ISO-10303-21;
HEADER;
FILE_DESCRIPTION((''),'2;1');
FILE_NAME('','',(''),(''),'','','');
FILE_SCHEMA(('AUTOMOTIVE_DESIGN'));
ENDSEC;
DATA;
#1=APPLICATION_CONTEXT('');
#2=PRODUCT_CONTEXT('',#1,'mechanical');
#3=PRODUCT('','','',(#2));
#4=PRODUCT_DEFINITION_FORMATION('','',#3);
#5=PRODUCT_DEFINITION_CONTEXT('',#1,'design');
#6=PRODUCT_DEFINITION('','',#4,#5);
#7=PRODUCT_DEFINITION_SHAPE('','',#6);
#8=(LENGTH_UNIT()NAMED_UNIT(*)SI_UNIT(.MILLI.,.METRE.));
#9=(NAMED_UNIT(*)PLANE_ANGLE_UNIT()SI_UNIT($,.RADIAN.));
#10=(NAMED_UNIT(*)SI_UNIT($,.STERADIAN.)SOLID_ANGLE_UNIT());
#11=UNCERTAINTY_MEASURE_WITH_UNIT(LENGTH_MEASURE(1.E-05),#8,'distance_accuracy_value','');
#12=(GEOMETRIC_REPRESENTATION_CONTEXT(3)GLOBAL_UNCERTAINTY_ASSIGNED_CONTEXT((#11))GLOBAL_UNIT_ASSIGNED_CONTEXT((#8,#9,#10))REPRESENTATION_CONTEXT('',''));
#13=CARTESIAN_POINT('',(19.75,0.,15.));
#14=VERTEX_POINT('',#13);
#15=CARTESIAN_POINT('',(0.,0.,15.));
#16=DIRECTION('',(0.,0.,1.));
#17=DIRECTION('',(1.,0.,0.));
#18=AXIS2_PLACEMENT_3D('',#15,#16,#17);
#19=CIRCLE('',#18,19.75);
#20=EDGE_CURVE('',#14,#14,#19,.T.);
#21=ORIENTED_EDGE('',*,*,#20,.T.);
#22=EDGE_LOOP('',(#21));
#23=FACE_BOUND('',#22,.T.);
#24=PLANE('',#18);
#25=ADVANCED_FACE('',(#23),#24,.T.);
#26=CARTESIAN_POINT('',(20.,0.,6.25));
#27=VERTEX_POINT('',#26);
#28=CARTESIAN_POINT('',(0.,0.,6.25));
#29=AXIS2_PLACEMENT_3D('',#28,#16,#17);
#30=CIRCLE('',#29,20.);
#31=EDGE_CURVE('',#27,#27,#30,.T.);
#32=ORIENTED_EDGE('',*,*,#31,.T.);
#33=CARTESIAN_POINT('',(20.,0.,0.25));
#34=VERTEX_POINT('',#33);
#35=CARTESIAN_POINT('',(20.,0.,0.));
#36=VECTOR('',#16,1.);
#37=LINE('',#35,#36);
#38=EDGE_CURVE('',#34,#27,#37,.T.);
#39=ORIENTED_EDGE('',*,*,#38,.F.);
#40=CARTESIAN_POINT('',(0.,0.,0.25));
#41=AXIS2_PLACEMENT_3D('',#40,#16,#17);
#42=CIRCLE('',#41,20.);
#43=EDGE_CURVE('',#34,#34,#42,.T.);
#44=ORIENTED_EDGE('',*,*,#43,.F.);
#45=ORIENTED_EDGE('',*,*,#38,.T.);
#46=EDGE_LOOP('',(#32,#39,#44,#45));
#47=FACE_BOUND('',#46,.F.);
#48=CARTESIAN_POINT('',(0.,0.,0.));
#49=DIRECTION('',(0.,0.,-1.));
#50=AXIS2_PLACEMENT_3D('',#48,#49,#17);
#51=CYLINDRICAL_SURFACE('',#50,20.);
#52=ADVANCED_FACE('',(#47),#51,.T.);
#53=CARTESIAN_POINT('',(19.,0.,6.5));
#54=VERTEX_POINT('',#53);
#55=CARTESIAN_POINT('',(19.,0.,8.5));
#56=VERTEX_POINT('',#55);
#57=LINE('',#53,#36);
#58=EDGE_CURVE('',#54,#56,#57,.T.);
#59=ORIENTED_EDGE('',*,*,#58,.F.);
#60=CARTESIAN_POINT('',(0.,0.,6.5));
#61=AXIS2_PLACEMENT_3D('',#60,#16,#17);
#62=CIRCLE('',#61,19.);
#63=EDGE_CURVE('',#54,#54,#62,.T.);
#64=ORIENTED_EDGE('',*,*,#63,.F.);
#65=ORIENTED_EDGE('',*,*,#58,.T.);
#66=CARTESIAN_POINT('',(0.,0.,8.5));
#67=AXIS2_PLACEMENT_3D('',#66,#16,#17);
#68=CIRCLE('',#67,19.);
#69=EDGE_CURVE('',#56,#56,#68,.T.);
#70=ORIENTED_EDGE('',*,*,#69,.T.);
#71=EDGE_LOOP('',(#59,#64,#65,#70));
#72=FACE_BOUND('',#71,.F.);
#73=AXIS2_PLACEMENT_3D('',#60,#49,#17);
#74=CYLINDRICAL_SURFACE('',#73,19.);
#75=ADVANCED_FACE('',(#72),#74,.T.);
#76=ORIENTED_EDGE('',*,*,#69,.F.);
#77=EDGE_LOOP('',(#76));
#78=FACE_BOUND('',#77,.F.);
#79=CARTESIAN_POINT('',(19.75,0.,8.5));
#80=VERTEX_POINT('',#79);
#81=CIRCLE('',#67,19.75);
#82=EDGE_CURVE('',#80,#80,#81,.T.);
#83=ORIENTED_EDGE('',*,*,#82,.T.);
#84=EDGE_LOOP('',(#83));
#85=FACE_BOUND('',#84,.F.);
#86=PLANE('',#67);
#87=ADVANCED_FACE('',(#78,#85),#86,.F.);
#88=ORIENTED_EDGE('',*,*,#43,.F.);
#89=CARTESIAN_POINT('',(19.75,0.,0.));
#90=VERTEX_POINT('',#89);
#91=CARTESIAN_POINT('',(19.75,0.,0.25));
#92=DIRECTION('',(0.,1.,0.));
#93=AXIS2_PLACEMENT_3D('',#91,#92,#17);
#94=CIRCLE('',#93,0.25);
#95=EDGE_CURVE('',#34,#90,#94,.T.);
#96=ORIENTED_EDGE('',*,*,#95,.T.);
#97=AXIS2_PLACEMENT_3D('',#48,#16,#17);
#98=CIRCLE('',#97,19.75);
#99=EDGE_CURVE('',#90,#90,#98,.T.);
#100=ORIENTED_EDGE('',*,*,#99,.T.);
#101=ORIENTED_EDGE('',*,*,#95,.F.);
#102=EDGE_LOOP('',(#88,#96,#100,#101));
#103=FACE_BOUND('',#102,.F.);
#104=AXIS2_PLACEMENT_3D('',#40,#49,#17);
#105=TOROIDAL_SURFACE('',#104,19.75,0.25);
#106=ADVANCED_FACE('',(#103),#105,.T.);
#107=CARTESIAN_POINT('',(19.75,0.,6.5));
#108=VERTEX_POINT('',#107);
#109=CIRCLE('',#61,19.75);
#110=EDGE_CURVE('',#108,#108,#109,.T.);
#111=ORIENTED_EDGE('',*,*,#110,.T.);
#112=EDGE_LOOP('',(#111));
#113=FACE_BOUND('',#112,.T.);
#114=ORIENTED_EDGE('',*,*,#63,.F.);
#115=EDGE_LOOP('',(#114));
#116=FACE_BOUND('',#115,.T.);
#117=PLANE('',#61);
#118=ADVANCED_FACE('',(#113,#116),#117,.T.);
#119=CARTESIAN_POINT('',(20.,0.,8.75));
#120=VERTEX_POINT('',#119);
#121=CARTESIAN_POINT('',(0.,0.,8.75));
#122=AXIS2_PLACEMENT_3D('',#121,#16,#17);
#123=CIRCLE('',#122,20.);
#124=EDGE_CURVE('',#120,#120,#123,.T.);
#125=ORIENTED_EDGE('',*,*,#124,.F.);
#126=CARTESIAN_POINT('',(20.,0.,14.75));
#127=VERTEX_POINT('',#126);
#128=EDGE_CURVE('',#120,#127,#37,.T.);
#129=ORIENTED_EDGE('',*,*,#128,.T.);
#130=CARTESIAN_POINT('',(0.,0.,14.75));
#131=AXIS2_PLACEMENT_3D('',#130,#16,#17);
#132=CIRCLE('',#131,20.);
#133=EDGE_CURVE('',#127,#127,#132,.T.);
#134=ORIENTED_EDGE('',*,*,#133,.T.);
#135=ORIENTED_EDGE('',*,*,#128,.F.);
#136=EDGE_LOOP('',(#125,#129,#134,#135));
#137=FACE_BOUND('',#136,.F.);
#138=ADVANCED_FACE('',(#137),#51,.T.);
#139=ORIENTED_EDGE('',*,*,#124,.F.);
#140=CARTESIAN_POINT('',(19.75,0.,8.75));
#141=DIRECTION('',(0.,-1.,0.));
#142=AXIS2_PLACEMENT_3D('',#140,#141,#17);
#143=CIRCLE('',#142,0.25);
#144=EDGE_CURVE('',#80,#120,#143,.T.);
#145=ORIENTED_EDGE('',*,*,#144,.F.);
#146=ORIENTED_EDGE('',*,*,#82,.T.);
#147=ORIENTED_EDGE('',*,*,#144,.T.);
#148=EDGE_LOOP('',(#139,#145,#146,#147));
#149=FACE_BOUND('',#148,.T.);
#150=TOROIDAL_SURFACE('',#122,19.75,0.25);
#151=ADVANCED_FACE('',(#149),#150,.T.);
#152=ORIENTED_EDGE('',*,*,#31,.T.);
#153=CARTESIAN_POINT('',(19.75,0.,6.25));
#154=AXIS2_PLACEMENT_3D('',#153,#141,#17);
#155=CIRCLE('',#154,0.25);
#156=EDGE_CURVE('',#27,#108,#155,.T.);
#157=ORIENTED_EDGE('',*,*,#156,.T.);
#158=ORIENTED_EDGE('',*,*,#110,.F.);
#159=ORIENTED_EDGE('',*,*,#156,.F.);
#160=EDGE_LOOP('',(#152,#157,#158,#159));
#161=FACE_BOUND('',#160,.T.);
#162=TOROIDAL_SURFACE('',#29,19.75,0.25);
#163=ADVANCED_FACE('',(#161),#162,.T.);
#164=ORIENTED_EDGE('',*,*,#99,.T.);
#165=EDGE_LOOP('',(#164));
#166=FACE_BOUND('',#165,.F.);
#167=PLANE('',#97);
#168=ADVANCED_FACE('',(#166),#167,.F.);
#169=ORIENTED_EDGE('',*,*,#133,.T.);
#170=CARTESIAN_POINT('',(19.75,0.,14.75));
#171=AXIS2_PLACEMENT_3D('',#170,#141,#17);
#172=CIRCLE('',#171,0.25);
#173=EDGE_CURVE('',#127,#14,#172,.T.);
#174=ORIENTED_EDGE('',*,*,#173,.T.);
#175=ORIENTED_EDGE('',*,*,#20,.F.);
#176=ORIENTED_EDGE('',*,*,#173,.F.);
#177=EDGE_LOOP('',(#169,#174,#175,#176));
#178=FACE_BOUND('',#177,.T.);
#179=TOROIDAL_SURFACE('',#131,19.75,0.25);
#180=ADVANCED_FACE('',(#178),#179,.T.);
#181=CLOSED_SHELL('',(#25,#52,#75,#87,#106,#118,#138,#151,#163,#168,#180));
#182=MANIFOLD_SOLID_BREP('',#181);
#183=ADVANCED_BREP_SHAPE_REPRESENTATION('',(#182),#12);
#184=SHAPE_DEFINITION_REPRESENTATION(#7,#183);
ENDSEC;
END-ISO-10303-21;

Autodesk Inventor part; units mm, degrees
ref_plane "YZ Plane" through (0, 0, 0) normal (1, 0, 0) x (0, 1, 0)
ref_plane "XZ Plane" through (0, 0, 0) normal (0, 1, 0) x (-1, 0, 0)
sketch "Sketch1" plane through (0, 0, 0) normal (0, 0, 1) x (1, 0, 0)
  circle A0 centre (0, 0) radius 20
  dimension "d0" = 40
extrude "Extrusion1" add sketch "Sketch1" along normal blind 15
ref_plane "Work Plane1" through (0, 0, 6.5) normal (0, 0, 1) x (1, 0, 0)
sketch "Sketch2" plane through (0, 0, 6.5) normal (0, 0, 1) x (1, 0, 0)
  circle A0 centre (0, 0) radius 20 projected
  circle A1 centre (0, 0) radius 20 projected
  circle A2 centre (0, 0) radius 19
  dimension "d4" = 38
extrude "Extrusion2" cut sketch "Sketch2" along normal blind 2
fillet "Fillet1" radius 0.25 4 edges at (-20, 0, 6.5) (-20, 0, 8.5) (-20, 0, 0) (-20, 0, 15)
properties part number "Encoder Mount Hole Plug"
